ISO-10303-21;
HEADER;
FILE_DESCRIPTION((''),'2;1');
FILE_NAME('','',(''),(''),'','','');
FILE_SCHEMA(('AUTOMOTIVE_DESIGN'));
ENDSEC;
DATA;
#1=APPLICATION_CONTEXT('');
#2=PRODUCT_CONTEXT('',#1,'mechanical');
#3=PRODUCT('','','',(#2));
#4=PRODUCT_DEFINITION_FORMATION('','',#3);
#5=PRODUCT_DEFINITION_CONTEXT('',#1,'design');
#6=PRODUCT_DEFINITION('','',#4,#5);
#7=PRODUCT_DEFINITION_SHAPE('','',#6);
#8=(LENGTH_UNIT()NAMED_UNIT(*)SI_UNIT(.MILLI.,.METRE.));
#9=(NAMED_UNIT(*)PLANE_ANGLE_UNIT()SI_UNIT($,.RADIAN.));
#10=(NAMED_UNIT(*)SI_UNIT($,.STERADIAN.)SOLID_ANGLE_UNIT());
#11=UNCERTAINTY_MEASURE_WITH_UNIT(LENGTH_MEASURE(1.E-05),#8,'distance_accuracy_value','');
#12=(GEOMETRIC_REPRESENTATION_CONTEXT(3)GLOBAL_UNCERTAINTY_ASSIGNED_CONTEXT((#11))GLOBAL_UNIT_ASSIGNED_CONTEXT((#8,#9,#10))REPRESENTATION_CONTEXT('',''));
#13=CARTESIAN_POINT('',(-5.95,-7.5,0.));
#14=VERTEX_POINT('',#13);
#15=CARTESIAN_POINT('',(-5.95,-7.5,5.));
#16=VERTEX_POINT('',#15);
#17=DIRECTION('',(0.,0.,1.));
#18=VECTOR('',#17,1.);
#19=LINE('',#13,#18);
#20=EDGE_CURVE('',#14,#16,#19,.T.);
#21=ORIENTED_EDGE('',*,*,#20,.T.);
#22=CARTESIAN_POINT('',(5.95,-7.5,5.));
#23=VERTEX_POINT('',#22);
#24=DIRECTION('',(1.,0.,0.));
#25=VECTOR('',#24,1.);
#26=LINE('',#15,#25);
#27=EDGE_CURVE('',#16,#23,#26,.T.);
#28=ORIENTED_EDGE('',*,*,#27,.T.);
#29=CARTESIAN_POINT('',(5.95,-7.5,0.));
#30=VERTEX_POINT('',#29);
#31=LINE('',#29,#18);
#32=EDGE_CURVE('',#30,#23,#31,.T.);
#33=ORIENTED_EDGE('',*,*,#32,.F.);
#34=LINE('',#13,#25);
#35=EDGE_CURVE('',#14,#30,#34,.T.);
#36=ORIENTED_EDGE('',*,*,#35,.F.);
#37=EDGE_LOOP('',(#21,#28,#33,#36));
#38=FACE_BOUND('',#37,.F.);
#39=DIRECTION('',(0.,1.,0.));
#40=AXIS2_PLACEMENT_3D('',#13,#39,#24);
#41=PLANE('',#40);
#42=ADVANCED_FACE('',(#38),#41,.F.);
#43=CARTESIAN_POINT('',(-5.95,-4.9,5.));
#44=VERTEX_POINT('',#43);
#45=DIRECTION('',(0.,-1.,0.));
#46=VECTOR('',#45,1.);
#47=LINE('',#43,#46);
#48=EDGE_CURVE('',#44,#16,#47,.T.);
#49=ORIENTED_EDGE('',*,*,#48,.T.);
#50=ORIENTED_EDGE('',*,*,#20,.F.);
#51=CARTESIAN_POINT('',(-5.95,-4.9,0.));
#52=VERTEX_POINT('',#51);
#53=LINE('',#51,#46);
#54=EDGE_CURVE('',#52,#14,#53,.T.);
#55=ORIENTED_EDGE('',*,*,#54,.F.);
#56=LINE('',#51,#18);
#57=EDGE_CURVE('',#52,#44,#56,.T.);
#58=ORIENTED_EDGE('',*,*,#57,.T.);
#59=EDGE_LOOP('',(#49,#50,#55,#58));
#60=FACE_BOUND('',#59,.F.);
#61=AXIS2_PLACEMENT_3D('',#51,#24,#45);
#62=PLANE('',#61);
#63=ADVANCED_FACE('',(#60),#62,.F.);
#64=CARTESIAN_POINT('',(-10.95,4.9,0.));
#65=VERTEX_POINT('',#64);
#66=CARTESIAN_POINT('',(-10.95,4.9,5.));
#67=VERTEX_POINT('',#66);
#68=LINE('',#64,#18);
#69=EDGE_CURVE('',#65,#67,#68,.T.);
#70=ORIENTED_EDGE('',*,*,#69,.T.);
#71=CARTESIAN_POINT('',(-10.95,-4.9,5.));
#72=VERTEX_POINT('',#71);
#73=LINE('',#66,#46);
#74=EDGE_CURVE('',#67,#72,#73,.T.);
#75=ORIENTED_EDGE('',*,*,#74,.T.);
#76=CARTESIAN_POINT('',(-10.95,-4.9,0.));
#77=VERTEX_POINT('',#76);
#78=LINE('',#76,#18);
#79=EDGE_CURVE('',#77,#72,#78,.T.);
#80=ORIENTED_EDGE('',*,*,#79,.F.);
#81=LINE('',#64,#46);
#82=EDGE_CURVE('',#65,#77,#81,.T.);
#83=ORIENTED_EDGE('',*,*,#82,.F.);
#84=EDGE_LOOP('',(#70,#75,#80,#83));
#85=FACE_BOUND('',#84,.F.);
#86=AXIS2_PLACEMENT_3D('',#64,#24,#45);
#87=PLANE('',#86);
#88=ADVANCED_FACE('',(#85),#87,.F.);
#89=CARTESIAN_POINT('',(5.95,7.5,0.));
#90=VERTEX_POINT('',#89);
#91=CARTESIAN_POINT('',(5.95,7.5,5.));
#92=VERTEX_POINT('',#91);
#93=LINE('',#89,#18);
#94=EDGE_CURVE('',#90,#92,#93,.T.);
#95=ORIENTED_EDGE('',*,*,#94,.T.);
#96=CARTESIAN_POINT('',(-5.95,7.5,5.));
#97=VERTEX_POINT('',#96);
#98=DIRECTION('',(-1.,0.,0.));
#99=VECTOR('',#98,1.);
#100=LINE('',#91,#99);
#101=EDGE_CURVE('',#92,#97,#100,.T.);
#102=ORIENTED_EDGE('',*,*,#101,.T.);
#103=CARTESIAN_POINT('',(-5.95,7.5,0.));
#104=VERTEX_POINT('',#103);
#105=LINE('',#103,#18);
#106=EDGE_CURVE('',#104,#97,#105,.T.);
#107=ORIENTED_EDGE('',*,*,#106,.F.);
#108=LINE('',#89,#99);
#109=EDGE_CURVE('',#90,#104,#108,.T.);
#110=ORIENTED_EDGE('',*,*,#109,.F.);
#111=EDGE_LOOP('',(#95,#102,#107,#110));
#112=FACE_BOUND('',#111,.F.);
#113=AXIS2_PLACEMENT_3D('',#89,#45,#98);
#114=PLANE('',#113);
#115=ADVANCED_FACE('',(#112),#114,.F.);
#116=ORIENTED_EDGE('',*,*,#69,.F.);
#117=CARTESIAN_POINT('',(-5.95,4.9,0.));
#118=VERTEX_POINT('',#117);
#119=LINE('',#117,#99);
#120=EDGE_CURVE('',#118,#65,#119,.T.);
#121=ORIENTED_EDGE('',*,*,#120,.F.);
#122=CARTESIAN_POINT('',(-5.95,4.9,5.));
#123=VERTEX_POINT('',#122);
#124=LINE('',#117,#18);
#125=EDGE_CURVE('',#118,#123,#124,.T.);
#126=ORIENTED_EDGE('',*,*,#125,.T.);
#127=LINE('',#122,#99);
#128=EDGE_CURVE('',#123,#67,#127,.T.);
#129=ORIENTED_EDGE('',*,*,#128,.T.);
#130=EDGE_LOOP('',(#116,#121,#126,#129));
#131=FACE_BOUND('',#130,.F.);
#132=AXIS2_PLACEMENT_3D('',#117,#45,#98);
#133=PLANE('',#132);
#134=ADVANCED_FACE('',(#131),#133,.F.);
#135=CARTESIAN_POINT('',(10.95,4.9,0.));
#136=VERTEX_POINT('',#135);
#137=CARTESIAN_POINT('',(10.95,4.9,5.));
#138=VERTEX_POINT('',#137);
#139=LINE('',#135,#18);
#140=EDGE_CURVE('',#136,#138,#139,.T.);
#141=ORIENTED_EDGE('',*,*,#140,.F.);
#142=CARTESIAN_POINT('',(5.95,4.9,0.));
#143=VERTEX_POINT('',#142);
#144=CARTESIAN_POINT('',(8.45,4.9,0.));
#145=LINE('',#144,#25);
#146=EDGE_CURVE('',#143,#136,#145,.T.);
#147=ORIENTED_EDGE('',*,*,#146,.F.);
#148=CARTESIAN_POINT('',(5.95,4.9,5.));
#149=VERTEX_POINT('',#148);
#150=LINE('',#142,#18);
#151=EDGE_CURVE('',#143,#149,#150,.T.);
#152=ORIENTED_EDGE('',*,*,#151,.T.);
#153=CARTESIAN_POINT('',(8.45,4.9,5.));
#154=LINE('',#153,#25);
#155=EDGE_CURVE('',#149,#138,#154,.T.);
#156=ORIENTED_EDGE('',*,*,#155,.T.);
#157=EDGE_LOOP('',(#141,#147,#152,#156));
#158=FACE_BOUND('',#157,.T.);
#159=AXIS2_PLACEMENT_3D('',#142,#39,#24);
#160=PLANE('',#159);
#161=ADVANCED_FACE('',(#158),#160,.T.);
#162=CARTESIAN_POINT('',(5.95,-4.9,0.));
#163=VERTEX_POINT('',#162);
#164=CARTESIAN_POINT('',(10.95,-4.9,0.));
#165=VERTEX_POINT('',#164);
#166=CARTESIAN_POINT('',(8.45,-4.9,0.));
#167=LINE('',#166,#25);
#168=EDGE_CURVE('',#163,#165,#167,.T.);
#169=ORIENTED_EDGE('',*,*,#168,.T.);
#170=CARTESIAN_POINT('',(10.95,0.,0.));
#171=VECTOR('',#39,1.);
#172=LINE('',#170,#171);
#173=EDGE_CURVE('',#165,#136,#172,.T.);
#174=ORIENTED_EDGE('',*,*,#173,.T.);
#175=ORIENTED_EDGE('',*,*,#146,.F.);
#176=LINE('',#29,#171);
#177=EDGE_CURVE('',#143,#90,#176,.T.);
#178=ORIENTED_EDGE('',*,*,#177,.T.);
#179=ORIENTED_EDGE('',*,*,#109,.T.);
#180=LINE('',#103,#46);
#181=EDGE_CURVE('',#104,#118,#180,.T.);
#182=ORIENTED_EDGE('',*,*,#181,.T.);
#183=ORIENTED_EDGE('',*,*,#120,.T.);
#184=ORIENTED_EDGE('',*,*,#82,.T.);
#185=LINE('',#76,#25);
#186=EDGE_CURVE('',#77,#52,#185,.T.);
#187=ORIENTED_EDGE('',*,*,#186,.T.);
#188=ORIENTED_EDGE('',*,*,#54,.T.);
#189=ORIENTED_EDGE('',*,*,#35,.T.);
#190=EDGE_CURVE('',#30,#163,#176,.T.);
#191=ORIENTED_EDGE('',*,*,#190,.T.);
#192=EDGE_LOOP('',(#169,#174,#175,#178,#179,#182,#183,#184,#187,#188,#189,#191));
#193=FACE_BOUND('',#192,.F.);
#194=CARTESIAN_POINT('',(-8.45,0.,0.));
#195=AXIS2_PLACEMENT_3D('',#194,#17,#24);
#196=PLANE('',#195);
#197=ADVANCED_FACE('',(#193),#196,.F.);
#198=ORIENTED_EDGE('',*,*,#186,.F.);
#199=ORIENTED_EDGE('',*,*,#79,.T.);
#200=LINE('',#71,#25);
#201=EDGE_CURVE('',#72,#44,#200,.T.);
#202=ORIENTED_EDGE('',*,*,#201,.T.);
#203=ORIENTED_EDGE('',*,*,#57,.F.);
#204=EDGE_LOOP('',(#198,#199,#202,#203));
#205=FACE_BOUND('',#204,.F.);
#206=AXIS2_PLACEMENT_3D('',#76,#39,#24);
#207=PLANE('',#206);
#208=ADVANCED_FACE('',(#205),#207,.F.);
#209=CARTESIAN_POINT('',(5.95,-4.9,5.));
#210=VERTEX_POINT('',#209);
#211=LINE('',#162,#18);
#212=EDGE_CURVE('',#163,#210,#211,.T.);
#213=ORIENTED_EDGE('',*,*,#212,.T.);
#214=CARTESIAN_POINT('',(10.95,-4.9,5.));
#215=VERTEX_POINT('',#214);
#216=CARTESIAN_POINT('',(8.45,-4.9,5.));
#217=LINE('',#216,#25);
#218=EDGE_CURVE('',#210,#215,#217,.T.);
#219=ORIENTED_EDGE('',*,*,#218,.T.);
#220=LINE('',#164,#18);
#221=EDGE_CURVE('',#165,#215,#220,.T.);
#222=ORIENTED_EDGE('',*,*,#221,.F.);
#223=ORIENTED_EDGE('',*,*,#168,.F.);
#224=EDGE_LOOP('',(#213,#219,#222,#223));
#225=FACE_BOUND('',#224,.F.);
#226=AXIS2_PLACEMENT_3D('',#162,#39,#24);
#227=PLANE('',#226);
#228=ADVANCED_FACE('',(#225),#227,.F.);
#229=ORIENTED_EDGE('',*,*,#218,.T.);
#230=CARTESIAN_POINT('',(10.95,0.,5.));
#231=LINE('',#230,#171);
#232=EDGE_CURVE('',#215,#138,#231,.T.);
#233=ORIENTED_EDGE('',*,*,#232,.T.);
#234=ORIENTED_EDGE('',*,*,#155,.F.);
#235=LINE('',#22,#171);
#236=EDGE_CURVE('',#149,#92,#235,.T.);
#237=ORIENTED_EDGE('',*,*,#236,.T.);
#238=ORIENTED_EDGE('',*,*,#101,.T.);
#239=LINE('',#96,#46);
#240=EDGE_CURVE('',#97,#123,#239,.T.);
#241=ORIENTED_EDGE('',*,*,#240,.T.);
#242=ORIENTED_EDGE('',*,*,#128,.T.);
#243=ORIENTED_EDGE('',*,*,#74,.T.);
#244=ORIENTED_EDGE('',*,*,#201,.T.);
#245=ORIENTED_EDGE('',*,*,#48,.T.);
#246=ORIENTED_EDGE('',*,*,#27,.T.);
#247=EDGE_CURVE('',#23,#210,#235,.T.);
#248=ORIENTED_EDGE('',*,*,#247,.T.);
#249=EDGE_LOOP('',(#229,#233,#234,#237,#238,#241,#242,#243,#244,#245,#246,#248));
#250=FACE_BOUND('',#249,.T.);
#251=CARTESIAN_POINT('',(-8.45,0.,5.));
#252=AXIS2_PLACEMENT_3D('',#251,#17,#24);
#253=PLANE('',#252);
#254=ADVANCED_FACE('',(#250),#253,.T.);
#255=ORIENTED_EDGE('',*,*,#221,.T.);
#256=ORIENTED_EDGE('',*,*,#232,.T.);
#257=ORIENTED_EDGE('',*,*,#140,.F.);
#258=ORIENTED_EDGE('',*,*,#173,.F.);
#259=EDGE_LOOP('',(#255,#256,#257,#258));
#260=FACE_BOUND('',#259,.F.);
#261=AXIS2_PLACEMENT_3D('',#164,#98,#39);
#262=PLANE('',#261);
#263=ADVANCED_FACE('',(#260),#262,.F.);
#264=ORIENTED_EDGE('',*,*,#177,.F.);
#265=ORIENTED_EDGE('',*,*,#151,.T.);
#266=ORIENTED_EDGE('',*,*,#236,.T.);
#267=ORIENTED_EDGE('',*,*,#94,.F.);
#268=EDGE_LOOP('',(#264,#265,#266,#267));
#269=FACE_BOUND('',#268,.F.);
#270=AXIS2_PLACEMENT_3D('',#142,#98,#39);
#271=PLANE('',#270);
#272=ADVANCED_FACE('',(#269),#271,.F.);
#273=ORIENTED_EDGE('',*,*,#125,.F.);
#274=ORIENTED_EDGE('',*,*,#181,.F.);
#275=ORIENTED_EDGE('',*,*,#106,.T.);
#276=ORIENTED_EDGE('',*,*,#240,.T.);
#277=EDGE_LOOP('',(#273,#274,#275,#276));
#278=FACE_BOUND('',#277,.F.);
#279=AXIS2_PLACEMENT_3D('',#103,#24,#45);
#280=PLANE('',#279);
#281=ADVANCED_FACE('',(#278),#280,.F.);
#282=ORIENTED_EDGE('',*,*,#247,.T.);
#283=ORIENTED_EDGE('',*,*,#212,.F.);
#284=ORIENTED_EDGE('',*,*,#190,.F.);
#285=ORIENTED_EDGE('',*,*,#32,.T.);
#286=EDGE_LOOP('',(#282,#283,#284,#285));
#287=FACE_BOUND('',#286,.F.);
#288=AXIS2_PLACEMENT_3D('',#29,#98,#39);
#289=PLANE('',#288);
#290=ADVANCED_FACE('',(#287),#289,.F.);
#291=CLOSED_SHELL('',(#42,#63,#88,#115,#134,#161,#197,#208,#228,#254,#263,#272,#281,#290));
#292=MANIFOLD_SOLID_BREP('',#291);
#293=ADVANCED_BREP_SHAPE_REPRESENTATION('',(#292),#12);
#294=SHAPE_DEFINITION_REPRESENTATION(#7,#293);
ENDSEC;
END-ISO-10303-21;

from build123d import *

# Parameters (mm, degrees)
F0_W     = 5
F0_H     = 9.8
F1_DEPTH = 5


with BuildPart() as f1:
    # F0 (on Top) → F1 (new body)
    with BuildSketch(Plane.XY):
        Polygon((-5.95, -4.9), (-5.95, 4.9), (-10.95, 4.9), (-10.95, 0), (-10.95, -4.9), align=None)
        Polygon((5.95, 4.9), (5.95, 7.5), (-5.95, 7.5), (-5.95, 4.9), (-5.95, -4.9), (-5.95, -7.5), (5.95, -7.5), (5.95, -4.9), align=None)
        with Locations((8.45, 0)):
            Rectangle(F0_W, F0_H)
    extrude(amount=F1_DEPTH)


solid = f1.part
